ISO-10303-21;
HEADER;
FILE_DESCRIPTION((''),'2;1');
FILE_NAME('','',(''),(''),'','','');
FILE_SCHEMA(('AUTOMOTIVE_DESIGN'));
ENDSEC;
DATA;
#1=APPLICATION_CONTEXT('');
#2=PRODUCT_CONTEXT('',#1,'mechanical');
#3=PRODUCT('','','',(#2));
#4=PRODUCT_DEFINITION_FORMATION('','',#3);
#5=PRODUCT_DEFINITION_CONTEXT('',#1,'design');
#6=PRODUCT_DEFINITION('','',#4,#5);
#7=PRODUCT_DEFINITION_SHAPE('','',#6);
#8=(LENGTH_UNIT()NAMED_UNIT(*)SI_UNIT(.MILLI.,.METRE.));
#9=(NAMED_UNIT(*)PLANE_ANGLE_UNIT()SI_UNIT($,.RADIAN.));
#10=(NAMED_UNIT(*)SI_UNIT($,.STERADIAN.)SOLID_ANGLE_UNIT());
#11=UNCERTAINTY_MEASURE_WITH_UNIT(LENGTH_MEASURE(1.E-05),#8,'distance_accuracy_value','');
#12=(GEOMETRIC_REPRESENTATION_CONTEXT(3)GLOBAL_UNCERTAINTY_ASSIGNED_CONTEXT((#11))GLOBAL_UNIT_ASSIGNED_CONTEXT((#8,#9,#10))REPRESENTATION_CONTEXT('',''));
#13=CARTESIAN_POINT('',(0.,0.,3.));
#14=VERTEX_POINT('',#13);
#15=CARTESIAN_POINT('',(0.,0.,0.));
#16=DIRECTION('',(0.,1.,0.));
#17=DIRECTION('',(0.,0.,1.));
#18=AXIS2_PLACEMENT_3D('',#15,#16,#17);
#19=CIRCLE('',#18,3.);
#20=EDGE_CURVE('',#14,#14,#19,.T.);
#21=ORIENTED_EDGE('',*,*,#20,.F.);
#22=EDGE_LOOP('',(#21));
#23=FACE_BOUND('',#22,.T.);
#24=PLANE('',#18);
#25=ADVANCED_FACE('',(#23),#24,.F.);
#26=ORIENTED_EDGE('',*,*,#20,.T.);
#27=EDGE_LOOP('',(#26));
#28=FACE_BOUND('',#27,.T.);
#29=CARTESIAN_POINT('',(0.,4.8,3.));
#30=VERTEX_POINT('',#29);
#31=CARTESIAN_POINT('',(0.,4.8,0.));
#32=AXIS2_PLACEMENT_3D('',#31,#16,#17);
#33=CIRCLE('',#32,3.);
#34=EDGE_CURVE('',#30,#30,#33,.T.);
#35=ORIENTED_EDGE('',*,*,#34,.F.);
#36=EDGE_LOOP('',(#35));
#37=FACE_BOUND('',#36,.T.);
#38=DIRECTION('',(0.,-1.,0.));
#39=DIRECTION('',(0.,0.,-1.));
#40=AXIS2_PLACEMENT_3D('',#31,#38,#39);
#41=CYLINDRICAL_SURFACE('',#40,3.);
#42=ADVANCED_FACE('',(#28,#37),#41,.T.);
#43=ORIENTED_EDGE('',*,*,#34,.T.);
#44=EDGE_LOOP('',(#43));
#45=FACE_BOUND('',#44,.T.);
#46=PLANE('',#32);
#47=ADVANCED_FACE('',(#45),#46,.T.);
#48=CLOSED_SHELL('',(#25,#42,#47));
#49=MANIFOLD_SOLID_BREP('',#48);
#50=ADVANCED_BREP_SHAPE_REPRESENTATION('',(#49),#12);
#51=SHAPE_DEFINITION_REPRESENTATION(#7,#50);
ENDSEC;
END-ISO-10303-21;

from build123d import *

# Parameters (mm, degrees)
SKETCH1_R           = 3
BOSS_EXTRUDE1_DEPTH = 4.8


with BuildPart() as part:
    # Sketch1 → Boss-Extrude1 (new body)
    with BuildSketch(Plane(origin=(0, 0, 0), x_dir=(1, 0, 0), z_dir=(0, 1, 0))):
        with Locations(Location((0, 0, 0), (0, 0, 270))):  # turned: the seam where the file's is
            Circle(SKETCH1_R)
    extrude(amount=BOSS_EXTRUDE1_DEPTH)


solid = part.part
